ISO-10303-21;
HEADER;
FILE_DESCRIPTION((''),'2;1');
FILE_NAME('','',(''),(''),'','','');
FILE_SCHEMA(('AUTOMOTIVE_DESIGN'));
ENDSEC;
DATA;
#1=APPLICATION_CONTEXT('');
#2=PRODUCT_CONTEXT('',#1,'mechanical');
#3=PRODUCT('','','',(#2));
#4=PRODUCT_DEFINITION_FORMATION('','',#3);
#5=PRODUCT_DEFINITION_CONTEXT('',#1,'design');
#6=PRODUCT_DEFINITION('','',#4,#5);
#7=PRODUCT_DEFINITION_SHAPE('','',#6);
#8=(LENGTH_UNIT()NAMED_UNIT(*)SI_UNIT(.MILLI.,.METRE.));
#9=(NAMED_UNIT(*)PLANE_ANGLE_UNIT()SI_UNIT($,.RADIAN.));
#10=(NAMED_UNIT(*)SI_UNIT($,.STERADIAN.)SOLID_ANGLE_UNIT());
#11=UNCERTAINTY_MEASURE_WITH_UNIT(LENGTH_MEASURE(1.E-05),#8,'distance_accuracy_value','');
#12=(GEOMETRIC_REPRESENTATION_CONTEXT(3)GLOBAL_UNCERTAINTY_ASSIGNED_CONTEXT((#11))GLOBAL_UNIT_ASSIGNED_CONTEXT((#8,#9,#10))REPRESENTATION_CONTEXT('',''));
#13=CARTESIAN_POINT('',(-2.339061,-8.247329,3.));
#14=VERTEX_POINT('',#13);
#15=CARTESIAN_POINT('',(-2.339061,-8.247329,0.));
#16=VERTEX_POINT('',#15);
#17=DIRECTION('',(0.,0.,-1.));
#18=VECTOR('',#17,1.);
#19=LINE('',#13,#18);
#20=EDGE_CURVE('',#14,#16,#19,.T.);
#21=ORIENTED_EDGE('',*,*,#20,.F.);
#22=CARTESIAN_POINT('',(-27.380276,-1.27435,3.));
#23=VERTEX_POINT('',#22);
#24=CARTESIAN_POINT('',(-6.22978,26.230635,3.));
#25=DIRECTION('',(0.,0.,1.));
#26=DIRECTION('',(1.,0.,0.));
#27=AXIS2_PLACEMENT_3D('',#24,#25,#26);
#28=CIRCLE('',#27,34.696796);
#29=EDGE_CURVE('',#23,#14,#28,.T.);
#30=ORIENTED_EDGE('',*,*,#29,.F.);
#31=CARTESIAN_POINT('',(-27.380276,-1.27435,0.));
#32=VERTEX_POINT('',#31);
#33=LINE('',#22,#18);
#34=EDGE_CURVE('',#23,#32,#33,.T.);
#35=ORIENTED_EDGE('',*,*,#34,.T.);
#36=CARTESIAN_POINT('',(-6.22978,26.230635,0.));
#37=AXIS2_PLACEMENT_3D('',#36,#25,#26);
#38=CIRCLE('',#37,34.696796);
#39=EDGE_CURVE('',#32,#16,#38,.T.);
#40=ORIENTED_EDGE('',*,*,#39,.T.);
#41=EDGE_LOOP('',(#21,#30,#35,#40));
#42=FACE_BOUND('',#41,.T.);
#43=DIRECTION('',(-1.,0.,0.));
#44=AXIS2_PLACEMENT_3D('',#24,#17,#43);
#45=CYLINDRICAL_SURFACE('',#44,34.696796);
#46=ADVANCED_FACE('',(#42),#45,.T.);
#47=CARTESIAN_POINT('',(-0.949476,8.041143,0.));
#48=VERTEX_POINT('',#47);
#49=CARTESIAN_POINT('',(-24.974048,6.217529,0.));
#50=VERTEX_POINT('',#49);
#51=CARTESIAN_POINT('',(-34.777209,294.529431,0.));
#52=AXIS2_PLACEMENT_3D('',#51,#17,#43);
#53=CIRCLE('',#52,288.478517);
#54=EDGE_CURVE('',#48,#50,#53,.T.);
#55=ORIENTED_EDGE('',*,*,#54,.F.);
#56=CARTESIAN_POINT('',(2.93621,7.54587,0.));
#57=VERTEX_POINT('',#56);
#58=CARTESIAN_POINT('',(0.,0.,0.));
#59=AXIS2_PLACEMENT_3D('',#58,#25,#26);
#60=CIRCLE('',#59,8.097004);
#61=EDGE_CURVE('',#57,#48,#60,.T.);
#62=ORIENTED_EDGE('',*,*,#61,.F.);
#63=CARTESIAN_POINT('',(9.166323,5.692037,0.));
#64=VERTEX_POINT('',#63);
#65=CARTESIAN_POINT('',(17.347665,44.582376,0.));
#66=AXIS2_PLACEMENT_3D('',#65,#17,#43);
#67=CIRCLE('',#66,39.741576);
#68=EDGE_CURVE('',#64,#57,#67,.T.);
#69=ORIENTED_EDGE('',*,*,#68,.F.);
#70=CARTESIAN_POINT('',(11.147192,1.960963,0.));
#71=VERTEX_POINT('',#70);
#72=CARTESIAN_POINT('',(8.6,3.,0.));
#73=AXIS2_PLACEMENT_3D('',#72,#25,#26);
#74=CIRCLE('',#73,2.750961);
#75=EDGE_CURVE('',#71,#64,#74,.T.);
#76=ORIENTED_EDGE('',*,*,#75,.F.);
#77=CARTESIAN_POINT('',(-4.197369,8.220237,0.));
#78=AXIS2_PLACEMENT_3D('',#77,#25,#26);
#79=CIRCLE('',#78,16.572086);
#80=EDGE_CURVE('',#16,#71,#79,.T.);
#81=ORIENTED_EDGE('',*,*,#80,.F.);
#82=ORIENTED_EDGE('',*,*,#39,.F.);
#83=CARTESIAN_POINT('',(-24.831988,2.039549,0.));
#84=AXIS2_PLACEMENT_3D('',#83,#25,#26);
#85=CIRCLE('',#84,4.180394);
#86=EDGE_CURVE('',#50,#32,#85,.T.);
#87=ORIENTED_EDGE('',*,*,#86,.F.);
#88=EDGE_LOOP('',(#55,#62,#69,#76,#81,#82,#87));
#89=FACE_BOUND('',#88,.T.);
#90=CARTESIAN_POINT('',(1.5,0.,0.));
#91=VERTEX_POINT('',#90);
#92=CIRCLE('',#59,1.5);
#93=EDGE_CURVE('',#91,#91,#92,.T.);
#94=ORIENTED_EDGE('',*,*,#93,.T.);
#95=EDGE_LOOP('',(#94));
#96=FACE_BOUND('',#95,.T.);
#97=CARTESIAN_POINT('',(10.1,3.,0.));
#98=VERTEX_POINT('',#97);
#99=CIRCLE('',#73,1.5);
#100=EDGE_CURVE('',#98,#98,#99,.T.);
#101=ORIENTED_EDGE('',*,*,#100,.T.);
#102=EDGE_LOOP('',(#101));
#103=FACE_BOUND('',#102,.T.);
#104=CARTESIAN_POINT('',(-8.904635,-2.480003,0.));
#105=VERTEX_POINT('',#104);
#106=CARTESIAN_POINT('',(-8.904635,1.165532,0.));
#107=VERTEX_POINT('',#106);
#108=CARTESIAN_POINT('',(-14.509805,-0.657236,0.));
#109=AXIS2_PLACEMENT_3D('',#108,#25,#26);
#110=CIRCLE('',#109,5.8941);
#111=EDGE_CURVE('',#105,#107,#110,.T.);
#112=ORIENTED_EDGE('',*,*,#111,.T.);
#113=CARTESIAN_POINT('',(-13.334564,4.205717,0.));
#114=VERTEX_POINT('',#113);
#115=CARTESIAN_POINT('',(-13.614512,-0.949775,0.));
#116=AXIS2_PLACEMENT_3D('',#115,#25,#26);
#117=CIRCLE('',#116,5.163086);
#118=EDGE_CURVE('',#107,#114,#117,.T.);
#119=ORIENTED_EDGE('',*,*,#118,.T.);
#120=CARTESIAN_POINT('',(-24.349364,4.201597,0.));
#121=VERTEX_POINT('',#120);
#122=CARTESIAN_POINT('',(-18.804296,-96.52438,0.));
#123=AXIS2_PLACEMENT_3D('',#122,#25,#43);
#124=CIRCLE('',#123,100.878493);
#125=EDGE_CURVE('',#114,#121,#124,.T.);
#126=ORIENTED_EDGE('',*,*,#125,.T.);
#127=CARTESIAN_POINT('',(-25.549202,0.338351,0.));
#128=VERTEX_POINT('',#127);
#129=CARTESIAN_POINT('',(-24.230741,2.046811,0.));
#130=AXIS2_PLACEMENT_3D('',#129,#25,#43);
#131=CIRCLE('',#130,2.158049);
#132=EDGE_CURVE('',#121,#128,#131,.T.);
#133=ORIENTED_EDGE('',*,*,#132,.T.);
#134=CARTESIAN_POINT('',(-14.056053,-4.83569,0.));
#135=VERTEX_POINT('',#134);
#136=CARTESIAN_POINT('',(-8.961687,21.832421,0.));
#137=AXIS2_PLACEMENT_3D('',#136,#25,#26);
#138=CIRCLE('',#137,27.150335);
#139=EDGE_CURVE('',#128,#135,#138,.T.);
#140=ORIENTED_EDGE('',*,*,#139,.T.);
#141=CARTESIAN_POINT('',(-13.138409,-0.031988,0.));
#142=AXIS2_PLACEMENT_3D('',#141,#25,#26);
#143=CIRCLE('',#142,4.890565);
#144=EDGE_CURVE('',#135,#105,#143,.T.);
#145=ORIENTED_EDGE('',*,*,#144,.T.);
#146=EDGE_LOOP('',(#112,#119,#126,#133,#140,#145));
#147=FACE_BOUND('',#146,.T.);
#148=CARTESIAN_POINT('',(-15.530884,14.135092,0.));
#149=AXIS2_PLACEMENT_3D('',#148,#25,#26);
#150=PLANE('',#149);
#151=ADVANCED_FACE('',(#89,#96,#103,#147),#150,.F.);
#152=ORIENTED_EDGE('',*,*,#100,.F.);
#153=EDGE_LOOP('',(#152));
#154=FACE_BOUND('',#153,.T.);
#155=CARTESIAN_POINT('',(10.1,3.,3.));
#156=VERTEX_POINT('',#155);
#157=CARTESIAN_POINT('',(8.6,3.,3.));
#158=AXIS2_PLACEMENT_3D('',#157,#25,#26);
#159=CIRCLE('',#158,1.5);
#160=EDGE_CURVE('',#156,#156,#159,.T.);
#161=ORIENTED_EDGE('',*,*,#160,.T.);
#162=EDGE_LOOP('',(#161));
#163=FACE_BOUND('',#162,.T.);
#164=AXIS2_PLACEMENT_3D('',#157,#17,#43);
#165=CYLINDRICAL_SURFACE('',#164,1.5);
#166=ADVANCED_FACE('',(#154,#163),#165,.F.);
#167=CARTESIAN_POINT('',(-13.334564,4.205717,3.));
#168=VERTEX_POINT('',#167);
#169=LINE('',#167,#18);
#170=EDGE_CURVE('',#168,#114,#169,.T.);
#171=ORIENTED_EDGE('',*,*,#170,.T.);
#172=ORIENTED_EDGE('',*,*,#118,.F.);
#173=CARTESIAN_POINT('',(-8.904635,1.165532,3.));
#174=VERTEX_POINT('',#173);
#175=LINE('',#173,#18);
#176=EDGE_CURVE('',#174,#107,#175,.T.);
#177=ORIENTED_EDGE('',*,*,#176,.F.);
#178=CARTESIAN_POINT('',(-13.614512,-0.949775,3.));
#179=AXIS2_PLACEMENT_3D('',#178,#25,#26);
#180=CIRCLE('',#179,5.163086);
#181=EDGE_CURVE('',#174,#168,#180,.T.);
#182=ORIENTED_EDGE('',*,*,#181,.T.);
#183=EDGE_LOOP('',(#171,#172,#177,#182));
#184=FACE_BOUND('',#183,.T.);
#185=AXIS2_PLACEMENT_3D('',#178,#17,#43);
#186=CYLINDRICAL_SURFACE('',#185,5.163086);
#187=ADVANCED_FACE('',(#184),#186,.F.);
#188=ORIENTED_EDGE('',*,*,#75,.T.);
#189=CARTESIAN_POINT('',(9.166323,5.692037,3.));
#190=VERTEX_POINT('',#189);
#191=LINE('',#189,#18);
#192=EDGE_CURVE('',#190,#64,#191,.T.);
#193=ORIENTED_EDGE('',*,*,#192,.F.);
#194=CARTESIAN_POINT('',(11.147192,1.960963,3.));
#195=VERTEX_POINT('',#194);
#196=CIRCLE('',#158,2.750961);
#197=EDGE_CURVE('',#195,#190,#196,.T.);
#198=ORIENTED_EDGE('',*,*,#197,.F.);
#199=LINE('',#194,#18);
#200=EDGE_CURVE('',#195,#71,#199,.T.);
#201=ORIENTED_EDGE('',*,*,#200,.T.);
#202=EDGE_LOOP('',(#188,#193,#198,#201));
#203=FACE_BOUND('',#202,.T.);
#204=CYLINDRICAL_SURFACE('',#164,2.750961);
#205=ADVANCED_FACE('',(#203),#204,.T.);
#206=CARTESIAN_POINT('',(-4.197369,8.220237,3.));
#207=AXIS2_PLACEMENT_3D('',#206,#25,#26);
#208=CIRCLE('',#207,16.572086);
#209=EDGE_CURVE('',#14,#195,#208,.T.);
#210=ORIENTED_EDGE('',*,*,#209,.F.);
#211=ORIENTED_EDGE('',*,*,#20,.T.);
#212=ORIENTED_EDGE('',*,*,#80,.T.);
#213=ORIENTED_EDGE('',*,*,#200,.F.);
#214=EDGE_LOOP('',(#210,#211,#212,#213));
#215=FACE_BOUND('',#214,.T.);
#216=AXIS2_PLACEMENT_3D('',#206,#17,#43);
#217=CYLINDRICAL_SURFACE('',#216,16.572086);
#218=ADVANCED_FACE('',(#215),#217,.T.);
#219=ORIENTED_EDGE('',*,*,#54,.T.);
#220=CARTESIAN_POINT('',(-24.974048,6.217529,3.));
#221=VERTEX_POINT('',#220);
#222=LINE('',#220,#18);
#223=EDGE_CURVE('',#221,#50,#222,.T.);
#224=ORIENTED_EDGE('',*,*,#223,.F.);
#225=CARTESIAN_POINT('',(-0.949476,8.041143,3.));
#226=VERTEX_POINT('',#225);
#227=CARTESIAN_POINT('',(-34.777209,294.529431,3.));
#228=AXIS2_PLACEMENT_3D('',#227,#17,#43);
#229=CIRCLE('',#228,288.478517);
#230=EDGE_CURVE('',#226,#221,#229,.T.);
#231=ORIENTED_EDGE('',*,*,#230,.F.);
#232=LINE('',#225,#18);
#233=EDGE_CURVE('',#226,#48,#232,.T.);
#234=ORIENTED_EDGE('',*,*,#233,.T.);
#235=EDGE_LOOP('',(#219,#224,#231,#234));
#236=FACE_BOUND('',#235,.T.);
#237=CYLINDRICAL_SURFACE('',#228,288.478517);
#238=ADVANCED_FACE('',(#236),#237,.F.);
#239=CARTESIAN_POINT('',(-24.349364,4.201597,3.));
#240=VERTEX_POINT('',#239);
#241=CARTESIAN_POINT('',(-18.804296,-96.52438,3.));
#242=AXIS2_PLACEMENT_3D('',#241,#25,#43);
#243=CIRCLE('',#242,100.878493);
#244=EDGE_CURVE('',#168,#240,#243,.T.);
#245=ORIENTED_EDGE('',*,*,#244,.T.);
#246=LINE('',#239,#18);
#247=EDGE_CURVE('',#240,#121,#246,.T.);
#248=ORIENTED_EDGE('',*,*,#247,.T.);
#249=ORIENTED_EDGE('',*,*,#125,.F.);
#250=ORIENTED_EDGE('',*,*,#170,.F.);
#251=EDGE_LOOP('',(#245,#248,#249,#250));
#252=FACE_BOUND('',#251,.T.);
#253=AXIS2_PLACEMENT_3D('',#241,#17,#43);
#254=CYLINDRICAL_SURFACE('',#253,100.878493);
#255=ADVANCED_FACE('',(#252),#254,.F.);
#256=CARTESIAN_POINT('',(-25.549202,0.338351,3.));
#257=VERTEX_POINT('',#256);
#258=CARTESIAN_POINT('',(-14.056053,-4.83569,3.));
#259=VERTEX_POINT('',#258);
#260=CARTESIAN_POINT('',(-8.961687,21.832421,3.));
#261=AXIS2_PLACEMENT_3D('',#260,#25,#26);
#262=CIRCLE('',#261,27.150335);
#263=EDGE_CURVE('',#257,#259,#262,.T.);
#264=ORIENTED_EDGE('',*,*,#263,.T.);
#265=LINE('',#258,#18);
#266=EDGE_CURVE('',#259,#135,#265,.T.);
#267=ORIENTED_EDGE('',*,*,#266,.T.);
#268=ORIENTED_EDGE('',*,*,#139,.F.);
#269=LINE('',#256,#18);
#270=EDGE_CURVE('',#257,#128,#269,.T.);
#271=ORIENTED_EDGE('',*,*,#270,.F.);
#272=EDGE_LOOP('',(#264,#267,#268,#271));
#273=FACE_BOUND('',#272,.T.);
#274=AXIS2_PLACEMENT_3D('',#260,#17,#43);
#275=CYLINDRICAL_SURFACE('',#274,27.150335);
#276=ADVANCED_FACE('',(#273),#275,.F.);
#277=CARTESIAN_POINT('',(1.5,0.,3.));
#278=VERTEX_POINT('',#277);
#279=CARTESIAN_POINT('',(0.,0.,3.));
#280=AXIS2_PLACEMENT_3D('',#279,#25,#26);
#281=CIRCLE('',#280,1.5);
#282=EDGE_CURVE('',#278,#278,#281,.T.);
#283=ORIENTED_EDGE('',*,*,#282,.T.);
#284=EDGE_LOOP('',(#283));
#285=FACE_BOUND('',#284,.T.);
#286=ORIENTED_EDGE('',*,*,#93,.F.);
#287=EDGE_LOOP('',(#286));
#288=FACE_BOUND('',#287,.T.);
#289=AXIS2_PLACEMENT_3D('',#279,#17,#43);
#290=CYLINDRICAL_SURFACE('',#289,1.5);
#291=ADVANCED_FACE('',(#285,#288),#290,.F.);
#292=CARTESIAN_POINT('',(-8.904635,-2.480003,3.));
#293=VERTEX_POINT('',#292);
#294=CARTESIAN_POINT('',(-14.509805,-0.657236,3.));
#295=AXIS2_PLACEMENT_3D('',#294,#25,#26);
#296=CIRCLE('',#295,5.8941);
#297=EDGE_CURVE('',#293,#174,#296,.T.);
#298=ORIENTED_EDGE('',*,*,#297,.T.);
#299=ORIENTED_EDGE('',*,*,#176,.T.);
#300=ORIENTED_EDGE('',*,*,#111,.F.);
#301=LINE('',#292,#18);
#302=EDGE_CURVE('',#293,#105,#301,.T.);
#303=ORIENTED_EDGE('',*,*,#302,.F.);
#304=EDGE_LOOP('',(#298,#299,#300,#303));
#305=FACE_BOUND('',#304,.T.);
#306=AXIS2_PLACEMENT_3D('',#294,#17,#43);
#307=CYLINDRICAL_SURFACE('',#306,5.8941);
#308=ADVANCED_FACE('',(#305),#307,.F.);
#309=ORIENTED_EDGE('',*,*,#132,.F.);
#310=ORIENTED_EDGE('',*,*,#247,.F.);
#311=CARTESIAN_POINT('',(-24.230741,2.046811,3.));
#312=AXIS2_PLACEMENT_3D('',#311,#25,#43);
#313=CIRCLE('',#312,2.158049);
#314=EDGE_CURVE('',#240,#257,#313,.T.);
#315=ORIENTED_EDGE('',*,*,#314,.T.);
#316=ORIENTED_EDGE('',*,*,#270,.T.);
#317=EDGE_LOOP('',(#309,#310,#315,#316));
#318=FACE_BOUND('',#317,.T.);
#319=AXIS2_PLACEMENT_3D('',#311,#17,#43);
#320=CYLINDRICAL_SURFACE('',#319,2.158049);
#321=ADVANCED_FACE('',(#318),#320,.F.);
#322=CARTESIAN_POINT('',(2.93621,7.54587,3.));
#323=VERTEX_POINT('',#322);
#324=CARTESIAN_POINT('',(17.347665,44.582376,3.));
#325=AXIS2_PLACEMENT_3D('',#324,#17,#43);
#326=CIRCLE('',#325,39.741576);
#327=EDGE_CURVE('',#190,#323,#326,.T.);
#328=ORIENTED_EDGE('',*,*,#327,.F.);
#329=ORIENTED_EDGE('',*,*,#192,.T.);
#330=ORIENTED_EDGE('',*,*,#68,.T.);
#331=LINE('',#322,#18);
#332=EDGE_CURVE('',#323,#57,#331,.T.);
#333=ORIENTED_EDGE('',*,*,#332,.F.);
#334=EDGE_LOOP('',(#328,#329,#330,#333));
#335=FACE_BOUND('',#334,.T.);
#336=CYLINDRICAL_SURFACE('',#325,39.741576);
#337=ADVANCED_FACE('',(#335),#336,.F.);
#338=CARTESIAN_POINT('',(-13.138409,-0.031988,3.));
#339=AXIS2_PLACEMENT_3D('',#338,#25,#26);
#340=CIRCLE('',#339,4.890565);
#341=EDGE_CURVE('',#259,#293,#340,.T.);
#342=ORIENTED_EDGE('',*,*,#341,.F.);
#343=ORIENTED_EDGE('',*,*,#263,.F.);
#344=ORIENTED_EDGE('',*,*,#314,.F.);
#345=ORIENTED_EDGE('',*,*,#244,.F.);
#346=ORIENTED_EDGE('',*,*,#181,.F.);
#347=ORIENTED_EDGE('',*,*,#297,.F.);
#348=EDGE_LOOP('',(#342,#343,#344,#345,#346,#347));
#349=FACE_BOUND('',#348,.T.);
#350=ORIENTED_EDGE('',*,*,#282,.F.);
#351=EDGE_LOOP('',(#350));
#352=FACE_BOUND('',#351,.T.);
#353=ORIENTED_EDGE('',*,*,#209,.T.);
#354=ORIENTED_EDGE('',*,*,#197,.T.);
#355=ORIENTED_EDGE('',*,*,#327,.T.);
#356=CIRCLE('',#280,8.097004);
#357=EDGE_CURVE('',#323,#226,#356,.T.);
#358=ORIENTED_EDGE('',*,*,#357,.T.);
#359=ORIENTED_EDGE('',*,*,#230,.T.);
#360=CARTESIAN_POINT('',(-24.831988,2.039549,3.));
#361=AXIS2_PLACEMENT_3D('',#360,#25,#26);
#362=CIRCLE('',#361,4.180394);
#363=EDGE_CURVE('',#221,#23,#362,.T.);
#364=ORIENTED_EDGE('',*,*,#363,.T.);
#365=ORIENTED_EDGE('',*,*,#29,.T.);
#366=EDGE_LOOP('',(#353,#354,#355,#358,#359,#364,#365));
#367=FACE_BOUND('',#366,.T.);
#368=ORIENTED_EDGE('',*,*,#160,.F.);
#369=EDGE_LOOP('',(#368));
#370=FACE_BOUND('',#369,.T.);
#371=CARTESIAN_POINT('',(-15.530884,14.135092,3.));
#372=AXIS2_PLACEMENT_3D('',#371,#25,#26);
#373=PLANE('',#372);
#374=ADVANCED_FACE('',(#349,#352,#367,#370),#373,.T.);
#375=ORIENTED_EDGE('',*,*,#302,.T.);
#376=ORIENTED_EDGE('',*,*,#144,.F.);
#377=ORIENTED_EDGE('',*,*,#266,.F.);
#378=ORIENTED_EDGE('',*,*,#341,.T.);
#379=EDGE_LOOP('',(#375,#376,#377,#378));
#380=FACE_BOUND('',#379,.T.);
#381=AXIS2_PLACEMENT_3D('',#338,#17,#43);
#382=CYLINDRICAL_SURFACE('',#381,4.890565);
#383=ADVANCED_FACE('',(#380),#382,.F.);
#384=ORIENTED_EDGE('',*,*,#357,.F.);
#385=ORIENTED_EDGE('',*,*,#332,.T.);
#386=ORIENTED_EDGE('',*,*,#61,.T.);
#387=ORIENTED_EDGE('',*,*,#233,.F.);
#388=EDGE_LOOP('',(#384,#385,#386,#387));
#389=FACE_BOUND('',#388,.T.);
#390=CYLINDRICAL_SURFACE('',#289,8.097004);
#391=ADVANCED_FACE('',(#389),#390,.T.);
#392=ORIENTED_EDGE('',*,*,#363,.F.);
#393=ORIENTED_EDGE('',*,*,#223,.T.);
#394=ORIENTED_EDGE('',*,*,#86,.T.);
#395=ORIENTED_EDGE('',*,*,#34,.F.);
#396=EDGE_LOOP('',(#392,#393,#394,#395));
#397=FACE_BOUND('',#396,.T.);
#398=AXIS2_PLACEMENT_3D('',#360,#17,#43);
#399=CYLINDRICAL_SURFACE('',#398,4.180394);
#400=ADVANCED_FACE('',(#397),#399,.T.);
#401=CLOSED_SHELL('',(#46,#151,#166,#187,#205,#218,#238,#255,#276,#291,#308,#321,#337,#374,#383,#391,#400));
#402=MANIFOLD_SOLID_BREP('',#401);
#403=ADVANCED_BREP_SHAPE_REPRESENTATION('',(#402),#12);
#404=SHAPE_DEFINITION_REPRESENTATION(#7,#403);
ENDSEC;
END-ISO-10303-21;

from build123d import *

# Parameters (mm, degrees)
ESQUISSE1_R        = 1.5
BOSS_EXTRU_1_DEPTH = 3


with BuildPart() as part:
    # Esquisse1 → Boss.-Extru.1 (new body)
    with BuildSketch(Plane.XY):
        with BuildLine():
            ThreePointArc((-27.380276014, -1.274350161), (-15.537335082, -7.194462147), (-2.33906069, -8.247329135))
            ThreePointArc((-2.33906069, -8.247329135), (5.804479886, -4.993281455), (11.147191658, 1.960962596))
            ThreePointArc((11.147191658, 1.960962596), (11.029757514, 4.289985461), (9.166322528, 5.692036935))
            ThreePointArc((9.166322528, 5.692036935), (6.013301366, 6.491366031), (2.936209941, 7.545869621))
            ThreePointArc((2.936209941, 7.545869621), (1.023768623, 8.032021848), (-0.949475558, 8.041142538))
            ThreePointArc((-0.949475558, 8.041142538), (-12.942714913, 6.878410061), (-24.974047874, 6.217528689))
            ThreePointArc((-24.974047874, 6.217528689), (-28.81213344, 3.317884658), (-27.380276014, -1.274350161))
        make_face()
        Circle(ESQUISSE1_R, mode=Mode.SUBTRACT)
        with Locations((8.6, 3)):
            Circle(ESQUISSE1_R, mode=Mode.SUBTRACT)
        with BuildLine():
            ThreePointArc((-25.549202237, 0.33835127), (-20.107029847, -2.924841196), (-14.056052845, -4.835689883))
            ThreePointArc((-14.056052845, -4.835689883), (-11.104571675, -4.479585719), (-8.90463517, -2.480003102))
            ThreePointArc((-8.90463517, -2.480003102), (-8.615705443, -0.657235742), (-8.90463517, 1.165531618))
            ThreePointArc((-8.90463517, 1.165531618), (-10.692993826, 3.307242171), (-13.334564289, 4.205716578))
            ThreePointArc((-13.334564289, 4.205716578), (-18.842020353, 4.354105802), (-24.349363894, 4.201597494))
            ThreePointArc((-24.349363894, 4.201597494), (-26.291680045, 2.686893023), (-25.549202237, 0.33835127))
        make_face(mode=Mode.SUBTRACT)
    extrude(amount=BOSS_EXTRU_1_DEPTH)


solid = part.part
